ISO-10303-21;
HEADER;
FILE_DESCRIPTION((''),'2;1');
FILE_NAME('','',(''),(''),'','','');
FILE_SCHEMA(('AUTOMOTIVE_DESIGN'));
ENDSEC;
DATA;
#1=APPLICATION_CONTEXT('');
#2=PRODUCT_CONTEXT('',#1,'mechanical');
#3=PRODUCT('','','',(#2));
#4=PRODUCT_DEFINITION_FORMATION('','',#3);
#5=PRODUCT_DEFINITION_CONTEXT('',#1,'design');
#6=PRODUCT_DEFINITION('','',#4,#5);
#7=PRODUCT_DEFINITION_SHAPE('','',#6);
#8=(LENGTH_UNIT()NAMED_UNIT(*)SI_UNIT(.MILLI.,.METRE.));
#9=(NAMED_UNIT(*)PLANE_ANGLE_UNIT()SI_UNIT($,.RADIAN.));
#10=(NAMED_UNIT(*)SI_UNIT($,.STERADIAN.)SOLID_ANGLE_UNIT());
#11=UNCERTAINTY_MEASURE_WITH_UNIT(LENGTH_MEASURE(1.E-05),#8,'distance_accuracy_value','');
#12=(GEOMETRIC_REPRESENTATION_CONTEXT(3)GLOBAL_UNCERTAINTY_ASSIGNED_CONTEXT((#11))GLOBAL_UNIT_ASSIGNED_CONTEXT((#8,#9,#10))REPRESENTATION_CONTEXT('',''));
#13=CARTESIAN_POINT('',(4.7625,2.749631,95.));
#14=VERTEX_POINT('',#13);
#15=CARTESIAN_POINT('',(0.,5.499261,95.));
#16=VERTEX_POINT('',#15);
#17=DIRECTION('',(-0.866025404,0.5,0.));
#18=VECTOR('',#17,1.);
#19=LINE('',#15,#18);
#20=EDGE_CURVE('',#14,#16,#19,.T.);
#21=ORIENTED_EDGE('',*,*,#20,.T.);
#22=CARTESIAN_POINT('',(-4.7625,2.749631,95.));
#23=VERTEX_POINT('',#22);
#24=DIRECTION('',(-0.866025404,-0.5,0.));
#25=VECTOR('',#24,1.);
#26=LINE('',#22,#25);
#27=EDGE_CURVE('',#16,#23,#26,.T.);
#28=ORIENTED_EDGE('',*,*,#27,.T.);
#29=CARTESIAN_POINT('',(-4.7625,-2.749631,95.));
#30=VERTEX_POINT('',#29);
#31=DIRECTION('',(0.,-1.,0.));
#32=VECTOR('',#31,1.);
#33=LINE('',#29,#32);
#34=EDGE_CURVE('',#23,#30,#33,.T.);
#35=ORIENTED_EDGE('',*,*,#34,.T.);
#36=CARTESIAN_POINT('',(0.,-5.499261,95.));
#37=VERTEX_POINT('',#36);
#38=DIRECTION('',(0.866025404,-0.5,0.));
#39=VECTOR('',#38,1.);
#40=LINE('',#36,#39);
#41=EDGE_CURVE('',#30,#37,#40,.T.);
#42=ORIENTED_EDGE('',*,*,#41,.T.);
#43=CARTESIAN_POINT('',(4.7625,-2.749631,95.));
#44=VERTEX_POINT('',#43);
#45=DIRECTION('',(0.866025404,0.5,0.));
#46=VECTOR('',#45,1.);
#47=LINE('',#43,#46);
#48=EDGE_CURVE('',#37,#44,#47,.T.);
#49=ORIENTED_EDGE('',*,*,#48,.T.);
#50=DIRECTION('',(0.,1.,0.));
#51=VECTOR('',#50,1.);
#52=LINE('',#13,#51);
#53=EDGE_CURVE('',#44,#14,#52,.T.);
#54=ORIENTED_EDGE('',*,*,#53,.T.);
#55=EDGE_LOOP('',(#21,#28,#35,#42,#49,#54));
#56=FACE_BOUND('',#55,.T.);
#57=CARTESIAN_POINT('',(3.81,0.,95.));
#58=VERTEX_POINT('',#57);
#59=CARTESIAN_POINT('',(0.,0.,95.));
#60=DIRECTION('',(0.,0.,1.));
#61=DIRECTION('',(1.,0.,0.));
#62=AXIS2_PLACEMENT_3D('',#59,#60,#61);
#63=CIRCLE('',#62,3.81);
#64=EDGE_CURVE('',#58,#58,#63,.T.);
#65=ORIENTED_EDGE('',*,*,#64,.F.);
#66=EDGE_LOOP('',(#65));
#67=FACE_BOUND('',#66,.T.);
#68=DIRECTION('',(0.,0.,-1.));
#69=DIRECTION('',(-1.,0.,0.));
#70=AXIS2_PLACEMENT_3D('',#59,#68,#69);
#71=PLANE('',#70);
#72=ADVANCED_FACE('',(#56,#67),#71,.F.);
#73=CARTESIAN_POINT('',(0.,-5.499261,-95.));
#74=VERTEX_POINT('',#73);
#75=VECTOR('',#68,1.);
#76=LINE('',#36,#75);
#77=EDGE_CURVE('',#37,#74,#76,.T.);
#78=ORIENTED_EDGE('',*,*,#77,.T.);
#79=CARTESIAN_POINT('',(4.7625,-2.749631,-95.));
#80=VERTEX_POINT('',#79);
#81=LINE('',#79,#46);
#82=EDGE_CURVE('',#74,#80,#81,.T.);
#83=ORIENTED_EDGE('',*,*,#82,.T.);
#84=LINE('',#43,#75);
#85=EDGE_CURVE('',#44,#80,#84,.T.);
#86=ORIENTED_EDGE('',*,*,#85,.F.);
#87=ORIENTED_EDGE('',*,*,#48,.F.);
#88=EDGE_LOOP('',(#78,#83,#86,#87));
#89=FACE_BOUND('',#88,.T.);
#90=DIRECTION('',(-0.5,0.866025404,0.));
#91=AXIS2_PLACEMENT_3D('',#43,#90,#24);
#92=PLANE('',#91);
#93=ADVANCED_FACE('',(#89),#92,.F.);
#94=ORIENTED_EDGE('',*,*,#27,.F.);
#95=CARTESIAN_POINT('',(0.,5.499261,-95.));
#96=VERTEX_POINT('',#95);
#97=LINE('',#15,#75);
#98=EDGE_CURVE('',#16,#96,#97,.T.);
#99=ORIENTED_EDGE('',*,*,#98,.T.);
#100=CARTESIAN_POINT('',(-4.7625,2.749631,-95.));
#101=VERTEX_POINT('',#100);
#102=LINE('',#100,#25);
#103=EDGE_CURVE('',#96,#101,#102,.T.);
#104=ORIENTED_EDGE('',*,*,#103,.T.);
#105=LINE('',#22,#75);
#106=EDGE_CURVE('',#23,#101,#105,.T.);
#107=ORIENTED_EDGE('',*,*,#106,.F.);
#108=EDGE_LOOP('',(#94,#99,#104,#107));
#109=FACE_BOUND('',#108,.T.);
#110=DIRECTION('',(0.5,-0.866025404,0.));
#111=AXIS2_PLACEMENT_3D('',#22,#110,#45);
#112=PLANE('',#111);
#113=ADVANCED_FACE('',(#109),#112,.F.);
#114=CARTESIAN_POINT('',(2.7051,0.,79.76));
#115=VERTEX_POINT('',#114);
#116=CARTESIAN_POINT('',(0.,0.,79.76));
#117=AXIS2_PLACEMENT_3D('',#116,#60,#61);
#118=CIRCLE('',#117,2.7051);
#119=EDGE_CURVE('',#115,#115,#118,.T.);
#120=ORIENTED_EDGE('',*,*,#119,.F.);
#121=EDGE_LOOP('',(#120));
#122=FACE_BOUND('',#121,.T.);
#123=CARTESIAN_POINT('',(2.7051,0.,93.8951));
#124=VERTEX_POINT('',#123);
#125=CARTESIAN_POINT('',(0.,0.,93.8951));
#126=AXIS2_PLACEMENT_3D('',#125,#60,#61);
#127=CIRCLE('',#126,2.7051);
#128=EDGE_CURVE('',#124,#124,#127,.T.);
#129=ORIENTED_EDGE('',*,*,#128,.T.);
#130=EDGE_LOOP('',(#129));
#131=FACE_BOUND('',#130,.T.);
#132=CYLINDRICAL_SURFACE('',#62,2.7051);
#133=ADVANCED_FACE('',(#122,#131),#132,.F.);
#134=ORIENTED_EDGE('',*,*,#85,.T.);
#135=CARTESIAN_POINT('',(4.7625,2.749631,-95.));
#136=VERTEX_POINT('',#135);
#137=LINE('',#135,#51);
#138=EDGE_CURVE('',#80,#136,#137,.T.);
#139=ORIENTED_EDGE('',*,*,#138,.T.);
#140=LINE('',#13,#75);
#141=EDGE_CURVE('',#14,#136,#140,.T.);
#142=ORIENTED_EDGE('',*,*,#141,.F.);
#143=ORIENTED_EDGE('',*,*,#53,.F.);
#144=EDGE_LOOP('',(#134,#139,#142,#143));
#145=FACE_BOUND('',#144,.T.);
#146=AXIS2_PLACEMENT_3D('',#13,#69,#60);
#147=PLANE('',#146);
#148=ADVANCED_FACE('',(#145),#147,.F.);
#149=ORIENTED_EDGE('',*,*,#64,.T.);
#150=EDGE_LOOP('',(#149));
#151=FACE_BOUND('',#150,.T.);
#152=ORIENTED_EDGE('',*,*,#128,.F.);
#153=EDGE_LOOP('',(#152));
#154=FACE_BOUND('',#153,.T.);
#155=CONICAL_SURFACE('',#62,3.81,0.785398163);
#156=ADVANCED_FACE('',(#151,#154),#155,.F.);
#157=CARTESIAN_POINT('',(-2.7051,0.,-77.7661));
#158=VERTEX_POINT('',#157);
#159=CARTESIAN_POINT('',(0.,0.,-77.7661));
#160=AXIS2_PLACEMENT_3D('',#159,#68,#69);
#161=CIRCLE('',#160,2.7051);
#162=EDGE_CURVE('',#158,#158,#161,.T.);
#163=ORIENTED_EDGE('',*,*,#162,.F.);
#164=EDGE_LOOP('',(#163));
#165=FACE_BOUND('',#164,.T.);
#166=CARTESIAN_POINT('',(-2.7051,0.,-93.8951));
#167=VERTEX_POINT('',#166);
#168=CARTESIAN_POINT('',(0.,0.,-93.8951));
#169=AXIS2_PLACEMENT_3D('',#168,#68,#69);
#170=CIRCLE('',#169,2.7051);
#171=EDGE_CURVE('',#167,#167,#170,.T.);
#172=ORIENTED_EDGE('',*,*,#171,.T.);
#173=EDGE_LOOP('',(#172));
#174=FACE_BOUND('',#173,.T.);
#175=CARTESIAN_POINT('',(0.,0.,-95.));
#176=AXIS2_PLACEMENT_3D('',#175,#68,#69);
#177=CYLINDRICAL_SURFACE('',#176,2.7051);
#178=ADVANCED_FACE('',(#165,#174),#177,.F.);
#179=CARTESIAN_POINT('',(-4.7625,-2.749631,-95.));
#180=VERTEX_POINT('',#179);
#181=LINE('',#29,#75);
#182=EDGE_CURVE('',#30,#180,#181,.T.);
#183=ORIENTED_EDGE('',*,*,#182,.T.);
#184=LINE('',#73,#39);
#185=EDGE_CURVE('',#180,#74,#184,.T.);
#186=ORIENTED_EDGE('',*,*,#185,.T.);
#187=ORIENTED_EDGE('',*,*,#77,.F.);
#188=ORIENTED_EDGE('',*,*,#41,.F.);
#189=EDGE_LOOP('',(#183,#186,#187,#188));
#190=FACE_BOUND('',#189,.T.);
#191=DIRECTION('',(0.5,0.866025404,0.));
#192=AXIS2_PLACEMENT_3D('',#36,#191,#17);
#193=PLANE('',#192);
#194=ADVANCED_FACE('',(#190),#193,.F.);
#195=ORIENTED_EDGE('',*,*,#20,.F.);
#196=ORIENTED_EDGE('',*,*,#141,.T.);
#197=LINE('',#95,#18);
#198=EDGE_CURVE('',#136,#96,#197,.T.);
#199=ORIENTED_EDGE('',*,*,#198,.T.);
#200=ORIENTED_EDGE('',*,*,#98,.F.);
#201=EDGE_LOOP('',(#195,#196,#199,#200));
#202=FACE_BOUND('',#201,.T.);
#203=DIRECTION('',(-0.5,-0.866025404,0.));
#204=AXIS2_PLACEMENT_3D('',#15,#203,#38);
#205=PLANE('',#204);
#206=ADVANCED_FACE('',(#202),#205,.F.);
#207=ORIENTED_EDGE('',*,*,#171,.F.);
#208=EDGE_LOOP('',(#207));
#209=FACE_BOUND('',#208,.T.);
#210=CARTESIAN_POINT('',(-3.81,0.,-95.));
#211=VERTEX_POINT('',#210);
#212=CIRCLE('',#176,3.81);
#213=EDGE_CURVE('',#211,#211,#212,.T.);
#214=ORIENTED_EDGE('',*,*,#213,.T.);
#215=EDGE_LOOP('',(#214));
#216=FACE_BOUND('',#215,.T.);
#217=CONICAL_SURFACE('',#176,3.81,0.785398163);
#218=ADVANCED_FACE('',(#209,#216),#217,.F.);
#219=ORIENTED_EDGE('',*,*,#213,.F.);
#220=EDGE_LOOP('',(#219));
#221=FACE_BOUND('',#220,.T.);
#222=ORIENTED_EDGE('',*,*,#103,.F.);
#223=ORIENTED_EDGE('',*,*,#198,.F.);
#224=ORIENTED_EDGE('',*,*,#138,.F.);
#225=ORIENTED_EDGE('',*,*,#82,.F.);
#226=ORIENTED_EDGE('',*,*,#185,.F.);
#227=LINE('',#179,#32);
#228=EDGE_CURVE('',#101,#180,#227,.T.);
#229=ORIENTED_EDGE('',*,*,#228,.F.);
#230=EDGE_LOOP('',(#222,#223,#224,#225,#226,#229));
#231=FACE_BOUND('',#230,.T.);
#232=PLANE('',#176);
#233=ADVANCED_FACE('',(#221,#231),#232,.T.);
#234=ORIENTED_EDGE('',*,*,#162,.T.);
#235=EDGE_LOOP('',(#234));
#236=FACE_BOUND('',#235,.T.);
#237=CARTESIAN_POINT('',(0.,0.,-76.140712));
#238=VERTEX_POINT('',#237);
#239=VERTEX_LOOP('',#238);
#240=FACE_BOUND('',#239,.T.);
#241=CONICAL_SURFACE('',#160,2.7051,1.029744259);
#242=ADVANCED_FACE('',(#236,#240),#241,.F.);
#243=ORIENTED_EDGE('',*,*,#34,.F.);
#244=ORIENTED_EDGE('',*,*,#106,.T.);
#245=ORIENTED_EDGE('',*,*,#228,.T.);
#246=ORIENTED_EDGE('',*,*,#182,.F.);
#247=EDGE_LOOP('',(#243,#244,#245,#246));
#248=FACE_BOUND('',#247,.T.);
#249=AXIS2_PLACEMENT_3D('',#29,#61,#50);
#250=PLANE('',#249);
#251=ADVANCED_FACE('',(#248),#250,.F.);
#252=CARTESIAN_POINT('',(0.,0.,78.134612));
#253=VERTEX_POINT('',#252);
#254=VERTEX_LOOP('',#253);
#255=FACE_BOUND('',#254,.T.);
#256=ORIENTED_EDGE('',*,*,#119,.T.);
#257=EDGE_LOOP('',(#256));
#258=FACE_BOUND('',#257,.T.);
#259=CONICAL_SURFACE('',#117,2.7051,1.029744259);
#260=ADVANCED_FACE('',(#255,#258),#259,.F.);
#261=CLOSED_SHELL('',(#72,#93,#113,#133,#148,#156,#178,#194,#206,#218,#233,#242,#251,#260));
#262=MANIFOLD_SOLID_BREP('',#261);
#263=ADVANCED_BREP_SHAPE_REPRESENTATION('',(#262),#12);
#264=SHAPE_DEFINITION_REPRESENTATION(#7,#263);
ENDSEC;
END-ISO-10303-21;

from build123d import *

# Parameters (mm, degrees)
BOSS_EXTRUDE1_DEPTH               = 95
F_1_4_28_TAPPED_HOLE1_D           = 5.4102
F_1_4_28_TAPPED_HOLE1_DEPTH       = 15.24
F_1_4_28_TAPPED_HOLE1_CSINK_D     = 7.62
F_1_4_28_TAPPED_HOLE1_CSINK_ANGLE = 90
F_1_4_28_TAPPED_HOLE1_TIP         = 1.625388061
F_1_4_28_TAPPED_HOLE2_D           = 5.4102
F_1_4_28_TAPPED_HOLE2_DEPTH       = 17.2339
F_1_4_28_TAPPED_HOLE2_CSINK_D     = 7.62
F_1_4_28_TAPPED_HOLE2_CSINK_ANGLE = 90
F_1_4_28_TAPPED_HOLE2_TIP         = 1.625388061


with BuildPart() as part:
    # Sketch3 → Boss-Extrude1 (new, symmetric)
    with BuildSketch(Plane.XY):
        Polygon((0, 5.499261314), (4.7625, 2.749630657), (4.7625, -2.749630657), (0, -5.499261314), (-4.7625, -2.749630657), (-4.7625, 2.749630657), align=None)
    extrude(amount=BOSS_EXTRUDE1_DEPTH, both=True)

    # 1/4-28 Tapped Hole1
    with Locations(Plane.XY.offset(95)):
        with Locations((0, 0)):
            CounterSinkHole(F_1_4_28_TAPPED_HOLE1_D / 2, F_1_4_28_TAPPED_HOLE1_CSINK_D / 2, depth=F_1_4_28_TAPPED_HOLE1_DEPTH, counter_sink_angle=F_1_4_28_TAPPED_HOLE1_CSINK_ANGLE)
            with Locations((0, 0, -(F_1_4_28_TAPPED_HOLE1_DEPTH + F_1_4_28_TAPPED_HOLE1_TIP / 2))):  # 118° drill point
                Cone(0, F_1_4_28_TAPPED_HOLE1_D / 2, F_1_4_28_TAPPED_HOLE1_TIP, mode=Mode.SUBTRACT)

    # 1/4-28 Tapped Hole2
    with Locations(Plane(origin=(0, 0, -95), x_dir=(-1, 0, 0), z_dir=(0, 0, -1))):
        with Locations((0, 0)):
            CounterSinkHole(F_1_4_28_TAPPED_HOLE2_D / 2, F_1_4_28_TAPPED_HOLE2_CSINK_D / 2, depth=F_1_4_28_TAPPED_HOLE2_DEPTH, counter_sink_angle=F_1_4_28_TAPPED_HOLE2_CSINK_ANGLE)
            with Locations((0, 0, -(F_1_4_28_TAPPED_HOLE2_DEPTH + F_1_4_28_TAPPED_HOLE2_TIP / 2))):  # 118° drill point
                Cone(0, F_1_4_28_TAPPED_HOLE2_D / 2, F_1_4_28_TAPPED_HOLE2_TIP, mode=Mode.SUBTRACT)


solid = part.part
